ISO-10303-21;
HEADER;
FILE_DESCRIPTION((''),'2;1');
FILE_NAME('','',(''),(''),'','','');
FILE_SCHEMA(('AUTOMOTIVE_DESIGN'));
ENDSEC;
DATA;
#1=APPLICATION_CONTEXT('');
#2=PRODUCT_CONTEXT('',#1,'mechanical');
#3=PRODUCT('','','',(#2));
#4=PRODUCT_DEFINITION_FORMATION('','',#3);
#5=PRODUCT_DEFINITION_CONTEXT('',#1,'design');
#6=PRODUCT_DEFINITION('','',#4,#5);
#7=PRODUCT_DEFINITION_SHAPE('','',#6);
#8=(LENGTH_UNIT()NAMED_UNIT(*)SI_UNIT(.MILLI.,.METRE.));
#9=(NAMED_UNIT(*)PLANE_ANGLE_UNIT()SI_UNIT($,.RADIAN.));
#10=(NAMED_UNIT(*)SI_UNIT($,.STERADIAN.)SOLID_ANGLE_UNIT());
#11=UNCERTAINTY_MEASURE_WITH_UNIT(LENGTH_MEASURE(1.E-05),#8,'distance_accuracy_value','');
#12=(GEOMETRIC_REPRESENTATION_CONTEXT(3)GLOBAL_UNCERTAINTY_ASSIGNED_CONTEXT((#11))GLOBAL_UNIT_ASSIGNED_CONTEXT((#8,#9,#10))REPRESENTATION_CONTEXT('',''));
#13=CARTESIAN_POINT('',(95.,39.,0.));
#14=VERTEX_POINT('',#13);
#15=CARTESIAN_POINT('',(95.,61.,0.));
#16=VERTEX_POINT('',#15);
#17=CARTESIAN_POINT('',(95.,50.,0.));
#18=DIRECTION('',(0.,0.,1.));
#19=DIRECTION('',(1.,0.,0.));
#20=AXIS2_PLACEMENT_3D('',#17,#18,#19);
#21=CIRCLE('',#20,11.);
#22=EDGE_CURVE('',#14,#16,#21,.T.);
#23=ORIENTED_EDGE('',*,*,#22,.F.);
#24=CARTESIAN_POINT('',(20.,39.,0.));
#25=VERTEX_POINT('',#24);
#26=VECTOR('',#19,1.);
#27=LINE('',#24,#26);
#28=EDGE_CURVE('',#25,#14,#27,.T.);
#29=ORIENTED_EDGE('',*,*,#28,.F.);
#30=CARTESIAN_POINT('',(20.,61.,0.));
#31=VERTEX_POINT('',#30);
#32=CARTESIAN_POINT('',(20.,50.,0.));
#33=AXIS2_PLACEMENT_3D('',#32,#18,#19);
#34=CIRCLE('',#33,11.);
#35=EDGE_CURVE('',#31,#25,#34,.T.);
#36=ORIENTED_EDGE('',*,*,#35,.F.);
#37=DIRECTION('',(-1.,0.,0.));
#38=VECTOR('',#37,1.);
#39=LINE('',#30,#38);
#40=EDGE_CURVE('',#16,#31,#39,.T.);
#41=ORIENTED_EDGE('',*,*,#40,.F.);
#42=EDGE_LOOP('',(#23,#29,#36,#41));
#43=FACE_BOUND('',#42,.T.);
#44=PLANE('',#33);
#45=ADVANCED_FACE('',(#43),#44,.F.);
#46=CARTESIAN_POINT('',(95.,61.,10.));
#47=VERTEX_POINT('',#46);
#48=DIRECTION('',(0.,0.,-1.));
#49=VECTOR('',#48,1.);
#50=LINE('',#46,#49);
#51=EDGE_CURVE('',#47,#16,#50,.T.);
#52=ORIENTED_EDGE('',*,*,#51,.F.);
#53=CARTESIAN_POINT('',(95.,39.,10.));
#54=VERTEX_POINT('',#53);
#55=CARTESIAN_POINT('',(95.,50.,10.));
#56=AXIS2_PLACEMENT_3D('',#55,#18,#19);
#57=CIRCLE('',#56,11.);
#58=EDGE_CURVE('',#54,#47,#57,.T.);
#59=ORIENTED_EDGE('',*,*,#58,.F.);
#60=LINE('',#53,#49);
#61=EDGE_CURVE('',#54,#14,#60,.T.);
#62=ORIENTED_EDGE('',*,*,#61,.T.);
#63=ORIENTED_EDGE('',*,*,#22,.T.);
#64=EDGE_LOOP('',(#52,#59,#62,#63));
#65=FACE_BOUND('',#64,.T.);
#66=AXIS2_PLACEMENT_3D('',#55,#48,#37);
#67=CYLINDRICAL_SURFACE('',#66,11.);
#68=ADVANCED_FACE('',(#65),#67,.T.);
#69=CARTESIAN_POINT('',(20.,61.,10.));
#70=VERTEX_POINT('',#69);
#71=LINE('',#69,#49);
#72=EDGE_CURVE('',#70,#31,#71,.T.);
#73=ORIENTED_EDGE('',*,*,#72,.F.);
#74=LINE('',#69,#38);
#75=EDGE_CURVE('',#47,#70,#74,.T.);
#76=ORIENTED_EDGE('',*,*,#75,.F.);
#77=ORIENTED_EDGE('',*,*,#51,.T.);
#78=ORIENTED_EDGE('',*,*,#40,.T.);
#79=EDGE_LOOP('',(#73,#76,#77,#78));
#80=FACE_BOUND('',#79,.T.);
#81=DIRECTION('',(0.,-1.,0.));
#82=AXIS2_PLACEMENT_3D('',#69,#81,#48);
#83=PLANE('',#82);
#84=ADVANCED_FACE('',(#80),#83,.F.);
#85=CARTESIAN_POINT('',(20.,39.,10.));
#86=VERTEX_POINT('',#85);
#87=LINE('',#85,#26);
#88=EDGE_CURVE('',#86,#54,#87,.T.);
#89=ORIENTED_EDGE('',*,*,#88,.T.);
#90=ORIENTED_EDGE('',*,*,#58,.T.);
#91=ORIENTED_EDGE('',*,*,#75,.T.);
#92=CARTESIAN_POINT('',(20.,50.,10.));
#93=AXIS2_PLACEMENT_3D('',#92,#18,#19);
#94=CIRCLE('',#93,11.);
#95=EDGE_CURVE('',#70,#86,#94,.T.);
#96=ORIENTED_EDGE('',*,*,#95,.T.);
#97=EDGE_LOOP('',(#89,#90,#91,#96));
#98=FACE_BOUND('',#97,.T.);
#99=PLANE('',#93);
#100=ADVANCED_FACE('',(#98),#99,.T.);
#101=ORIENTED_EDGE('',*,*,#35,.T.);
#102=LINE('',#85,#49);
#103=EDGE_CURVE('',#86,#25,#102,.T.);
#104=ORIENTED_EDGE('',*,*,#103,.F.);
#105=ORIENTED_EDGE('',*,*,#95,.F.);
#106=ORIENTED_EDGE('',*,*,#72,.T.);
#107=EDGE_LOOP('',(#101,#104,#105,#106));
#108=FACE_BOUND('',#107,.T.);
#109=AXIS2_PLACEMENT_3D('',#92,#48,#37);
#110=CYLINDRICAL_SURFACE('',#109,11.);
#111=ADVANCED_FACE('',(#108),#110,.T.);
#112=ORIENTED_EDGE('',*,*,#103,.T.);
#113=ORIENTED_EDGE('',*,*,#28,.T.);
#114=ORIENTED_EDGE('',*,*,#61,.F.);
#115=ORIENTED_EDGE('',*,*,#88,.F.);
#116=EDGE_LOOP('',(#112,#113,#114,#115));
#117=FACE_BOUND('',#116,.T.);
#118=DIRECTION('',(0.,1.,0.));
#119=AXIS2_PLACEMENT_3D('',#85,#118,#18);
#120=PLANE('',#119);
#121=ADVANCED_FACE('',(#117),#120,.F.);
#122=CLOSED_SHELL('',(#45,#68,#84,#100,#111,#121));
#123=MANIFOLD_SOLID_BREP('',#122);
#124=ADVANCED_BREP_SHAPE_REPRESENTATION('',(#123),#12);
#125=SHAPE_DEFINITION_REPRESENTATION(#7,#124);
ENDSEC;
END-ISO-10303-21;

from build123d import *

# Parameters (mm, degrees)
COUPLERLINK_DEPTH = 10


with BuildPart() as part:
    # 草图3 → CouplerLink (new body)
    with BuildSketch(Plane.XY):
        with BuildLine():
            Line((20, 61), (95, 61))
            ThreePointArc((95, 61), (106, 50), (95, 39))
            Line((95, 39), (20, 39))
            ThreePointArc((20, 39), (9, 50), (20, 61))
        make_face()
    extrude(amount=COUPLERLINK_DEPTH)


solid = part.part
